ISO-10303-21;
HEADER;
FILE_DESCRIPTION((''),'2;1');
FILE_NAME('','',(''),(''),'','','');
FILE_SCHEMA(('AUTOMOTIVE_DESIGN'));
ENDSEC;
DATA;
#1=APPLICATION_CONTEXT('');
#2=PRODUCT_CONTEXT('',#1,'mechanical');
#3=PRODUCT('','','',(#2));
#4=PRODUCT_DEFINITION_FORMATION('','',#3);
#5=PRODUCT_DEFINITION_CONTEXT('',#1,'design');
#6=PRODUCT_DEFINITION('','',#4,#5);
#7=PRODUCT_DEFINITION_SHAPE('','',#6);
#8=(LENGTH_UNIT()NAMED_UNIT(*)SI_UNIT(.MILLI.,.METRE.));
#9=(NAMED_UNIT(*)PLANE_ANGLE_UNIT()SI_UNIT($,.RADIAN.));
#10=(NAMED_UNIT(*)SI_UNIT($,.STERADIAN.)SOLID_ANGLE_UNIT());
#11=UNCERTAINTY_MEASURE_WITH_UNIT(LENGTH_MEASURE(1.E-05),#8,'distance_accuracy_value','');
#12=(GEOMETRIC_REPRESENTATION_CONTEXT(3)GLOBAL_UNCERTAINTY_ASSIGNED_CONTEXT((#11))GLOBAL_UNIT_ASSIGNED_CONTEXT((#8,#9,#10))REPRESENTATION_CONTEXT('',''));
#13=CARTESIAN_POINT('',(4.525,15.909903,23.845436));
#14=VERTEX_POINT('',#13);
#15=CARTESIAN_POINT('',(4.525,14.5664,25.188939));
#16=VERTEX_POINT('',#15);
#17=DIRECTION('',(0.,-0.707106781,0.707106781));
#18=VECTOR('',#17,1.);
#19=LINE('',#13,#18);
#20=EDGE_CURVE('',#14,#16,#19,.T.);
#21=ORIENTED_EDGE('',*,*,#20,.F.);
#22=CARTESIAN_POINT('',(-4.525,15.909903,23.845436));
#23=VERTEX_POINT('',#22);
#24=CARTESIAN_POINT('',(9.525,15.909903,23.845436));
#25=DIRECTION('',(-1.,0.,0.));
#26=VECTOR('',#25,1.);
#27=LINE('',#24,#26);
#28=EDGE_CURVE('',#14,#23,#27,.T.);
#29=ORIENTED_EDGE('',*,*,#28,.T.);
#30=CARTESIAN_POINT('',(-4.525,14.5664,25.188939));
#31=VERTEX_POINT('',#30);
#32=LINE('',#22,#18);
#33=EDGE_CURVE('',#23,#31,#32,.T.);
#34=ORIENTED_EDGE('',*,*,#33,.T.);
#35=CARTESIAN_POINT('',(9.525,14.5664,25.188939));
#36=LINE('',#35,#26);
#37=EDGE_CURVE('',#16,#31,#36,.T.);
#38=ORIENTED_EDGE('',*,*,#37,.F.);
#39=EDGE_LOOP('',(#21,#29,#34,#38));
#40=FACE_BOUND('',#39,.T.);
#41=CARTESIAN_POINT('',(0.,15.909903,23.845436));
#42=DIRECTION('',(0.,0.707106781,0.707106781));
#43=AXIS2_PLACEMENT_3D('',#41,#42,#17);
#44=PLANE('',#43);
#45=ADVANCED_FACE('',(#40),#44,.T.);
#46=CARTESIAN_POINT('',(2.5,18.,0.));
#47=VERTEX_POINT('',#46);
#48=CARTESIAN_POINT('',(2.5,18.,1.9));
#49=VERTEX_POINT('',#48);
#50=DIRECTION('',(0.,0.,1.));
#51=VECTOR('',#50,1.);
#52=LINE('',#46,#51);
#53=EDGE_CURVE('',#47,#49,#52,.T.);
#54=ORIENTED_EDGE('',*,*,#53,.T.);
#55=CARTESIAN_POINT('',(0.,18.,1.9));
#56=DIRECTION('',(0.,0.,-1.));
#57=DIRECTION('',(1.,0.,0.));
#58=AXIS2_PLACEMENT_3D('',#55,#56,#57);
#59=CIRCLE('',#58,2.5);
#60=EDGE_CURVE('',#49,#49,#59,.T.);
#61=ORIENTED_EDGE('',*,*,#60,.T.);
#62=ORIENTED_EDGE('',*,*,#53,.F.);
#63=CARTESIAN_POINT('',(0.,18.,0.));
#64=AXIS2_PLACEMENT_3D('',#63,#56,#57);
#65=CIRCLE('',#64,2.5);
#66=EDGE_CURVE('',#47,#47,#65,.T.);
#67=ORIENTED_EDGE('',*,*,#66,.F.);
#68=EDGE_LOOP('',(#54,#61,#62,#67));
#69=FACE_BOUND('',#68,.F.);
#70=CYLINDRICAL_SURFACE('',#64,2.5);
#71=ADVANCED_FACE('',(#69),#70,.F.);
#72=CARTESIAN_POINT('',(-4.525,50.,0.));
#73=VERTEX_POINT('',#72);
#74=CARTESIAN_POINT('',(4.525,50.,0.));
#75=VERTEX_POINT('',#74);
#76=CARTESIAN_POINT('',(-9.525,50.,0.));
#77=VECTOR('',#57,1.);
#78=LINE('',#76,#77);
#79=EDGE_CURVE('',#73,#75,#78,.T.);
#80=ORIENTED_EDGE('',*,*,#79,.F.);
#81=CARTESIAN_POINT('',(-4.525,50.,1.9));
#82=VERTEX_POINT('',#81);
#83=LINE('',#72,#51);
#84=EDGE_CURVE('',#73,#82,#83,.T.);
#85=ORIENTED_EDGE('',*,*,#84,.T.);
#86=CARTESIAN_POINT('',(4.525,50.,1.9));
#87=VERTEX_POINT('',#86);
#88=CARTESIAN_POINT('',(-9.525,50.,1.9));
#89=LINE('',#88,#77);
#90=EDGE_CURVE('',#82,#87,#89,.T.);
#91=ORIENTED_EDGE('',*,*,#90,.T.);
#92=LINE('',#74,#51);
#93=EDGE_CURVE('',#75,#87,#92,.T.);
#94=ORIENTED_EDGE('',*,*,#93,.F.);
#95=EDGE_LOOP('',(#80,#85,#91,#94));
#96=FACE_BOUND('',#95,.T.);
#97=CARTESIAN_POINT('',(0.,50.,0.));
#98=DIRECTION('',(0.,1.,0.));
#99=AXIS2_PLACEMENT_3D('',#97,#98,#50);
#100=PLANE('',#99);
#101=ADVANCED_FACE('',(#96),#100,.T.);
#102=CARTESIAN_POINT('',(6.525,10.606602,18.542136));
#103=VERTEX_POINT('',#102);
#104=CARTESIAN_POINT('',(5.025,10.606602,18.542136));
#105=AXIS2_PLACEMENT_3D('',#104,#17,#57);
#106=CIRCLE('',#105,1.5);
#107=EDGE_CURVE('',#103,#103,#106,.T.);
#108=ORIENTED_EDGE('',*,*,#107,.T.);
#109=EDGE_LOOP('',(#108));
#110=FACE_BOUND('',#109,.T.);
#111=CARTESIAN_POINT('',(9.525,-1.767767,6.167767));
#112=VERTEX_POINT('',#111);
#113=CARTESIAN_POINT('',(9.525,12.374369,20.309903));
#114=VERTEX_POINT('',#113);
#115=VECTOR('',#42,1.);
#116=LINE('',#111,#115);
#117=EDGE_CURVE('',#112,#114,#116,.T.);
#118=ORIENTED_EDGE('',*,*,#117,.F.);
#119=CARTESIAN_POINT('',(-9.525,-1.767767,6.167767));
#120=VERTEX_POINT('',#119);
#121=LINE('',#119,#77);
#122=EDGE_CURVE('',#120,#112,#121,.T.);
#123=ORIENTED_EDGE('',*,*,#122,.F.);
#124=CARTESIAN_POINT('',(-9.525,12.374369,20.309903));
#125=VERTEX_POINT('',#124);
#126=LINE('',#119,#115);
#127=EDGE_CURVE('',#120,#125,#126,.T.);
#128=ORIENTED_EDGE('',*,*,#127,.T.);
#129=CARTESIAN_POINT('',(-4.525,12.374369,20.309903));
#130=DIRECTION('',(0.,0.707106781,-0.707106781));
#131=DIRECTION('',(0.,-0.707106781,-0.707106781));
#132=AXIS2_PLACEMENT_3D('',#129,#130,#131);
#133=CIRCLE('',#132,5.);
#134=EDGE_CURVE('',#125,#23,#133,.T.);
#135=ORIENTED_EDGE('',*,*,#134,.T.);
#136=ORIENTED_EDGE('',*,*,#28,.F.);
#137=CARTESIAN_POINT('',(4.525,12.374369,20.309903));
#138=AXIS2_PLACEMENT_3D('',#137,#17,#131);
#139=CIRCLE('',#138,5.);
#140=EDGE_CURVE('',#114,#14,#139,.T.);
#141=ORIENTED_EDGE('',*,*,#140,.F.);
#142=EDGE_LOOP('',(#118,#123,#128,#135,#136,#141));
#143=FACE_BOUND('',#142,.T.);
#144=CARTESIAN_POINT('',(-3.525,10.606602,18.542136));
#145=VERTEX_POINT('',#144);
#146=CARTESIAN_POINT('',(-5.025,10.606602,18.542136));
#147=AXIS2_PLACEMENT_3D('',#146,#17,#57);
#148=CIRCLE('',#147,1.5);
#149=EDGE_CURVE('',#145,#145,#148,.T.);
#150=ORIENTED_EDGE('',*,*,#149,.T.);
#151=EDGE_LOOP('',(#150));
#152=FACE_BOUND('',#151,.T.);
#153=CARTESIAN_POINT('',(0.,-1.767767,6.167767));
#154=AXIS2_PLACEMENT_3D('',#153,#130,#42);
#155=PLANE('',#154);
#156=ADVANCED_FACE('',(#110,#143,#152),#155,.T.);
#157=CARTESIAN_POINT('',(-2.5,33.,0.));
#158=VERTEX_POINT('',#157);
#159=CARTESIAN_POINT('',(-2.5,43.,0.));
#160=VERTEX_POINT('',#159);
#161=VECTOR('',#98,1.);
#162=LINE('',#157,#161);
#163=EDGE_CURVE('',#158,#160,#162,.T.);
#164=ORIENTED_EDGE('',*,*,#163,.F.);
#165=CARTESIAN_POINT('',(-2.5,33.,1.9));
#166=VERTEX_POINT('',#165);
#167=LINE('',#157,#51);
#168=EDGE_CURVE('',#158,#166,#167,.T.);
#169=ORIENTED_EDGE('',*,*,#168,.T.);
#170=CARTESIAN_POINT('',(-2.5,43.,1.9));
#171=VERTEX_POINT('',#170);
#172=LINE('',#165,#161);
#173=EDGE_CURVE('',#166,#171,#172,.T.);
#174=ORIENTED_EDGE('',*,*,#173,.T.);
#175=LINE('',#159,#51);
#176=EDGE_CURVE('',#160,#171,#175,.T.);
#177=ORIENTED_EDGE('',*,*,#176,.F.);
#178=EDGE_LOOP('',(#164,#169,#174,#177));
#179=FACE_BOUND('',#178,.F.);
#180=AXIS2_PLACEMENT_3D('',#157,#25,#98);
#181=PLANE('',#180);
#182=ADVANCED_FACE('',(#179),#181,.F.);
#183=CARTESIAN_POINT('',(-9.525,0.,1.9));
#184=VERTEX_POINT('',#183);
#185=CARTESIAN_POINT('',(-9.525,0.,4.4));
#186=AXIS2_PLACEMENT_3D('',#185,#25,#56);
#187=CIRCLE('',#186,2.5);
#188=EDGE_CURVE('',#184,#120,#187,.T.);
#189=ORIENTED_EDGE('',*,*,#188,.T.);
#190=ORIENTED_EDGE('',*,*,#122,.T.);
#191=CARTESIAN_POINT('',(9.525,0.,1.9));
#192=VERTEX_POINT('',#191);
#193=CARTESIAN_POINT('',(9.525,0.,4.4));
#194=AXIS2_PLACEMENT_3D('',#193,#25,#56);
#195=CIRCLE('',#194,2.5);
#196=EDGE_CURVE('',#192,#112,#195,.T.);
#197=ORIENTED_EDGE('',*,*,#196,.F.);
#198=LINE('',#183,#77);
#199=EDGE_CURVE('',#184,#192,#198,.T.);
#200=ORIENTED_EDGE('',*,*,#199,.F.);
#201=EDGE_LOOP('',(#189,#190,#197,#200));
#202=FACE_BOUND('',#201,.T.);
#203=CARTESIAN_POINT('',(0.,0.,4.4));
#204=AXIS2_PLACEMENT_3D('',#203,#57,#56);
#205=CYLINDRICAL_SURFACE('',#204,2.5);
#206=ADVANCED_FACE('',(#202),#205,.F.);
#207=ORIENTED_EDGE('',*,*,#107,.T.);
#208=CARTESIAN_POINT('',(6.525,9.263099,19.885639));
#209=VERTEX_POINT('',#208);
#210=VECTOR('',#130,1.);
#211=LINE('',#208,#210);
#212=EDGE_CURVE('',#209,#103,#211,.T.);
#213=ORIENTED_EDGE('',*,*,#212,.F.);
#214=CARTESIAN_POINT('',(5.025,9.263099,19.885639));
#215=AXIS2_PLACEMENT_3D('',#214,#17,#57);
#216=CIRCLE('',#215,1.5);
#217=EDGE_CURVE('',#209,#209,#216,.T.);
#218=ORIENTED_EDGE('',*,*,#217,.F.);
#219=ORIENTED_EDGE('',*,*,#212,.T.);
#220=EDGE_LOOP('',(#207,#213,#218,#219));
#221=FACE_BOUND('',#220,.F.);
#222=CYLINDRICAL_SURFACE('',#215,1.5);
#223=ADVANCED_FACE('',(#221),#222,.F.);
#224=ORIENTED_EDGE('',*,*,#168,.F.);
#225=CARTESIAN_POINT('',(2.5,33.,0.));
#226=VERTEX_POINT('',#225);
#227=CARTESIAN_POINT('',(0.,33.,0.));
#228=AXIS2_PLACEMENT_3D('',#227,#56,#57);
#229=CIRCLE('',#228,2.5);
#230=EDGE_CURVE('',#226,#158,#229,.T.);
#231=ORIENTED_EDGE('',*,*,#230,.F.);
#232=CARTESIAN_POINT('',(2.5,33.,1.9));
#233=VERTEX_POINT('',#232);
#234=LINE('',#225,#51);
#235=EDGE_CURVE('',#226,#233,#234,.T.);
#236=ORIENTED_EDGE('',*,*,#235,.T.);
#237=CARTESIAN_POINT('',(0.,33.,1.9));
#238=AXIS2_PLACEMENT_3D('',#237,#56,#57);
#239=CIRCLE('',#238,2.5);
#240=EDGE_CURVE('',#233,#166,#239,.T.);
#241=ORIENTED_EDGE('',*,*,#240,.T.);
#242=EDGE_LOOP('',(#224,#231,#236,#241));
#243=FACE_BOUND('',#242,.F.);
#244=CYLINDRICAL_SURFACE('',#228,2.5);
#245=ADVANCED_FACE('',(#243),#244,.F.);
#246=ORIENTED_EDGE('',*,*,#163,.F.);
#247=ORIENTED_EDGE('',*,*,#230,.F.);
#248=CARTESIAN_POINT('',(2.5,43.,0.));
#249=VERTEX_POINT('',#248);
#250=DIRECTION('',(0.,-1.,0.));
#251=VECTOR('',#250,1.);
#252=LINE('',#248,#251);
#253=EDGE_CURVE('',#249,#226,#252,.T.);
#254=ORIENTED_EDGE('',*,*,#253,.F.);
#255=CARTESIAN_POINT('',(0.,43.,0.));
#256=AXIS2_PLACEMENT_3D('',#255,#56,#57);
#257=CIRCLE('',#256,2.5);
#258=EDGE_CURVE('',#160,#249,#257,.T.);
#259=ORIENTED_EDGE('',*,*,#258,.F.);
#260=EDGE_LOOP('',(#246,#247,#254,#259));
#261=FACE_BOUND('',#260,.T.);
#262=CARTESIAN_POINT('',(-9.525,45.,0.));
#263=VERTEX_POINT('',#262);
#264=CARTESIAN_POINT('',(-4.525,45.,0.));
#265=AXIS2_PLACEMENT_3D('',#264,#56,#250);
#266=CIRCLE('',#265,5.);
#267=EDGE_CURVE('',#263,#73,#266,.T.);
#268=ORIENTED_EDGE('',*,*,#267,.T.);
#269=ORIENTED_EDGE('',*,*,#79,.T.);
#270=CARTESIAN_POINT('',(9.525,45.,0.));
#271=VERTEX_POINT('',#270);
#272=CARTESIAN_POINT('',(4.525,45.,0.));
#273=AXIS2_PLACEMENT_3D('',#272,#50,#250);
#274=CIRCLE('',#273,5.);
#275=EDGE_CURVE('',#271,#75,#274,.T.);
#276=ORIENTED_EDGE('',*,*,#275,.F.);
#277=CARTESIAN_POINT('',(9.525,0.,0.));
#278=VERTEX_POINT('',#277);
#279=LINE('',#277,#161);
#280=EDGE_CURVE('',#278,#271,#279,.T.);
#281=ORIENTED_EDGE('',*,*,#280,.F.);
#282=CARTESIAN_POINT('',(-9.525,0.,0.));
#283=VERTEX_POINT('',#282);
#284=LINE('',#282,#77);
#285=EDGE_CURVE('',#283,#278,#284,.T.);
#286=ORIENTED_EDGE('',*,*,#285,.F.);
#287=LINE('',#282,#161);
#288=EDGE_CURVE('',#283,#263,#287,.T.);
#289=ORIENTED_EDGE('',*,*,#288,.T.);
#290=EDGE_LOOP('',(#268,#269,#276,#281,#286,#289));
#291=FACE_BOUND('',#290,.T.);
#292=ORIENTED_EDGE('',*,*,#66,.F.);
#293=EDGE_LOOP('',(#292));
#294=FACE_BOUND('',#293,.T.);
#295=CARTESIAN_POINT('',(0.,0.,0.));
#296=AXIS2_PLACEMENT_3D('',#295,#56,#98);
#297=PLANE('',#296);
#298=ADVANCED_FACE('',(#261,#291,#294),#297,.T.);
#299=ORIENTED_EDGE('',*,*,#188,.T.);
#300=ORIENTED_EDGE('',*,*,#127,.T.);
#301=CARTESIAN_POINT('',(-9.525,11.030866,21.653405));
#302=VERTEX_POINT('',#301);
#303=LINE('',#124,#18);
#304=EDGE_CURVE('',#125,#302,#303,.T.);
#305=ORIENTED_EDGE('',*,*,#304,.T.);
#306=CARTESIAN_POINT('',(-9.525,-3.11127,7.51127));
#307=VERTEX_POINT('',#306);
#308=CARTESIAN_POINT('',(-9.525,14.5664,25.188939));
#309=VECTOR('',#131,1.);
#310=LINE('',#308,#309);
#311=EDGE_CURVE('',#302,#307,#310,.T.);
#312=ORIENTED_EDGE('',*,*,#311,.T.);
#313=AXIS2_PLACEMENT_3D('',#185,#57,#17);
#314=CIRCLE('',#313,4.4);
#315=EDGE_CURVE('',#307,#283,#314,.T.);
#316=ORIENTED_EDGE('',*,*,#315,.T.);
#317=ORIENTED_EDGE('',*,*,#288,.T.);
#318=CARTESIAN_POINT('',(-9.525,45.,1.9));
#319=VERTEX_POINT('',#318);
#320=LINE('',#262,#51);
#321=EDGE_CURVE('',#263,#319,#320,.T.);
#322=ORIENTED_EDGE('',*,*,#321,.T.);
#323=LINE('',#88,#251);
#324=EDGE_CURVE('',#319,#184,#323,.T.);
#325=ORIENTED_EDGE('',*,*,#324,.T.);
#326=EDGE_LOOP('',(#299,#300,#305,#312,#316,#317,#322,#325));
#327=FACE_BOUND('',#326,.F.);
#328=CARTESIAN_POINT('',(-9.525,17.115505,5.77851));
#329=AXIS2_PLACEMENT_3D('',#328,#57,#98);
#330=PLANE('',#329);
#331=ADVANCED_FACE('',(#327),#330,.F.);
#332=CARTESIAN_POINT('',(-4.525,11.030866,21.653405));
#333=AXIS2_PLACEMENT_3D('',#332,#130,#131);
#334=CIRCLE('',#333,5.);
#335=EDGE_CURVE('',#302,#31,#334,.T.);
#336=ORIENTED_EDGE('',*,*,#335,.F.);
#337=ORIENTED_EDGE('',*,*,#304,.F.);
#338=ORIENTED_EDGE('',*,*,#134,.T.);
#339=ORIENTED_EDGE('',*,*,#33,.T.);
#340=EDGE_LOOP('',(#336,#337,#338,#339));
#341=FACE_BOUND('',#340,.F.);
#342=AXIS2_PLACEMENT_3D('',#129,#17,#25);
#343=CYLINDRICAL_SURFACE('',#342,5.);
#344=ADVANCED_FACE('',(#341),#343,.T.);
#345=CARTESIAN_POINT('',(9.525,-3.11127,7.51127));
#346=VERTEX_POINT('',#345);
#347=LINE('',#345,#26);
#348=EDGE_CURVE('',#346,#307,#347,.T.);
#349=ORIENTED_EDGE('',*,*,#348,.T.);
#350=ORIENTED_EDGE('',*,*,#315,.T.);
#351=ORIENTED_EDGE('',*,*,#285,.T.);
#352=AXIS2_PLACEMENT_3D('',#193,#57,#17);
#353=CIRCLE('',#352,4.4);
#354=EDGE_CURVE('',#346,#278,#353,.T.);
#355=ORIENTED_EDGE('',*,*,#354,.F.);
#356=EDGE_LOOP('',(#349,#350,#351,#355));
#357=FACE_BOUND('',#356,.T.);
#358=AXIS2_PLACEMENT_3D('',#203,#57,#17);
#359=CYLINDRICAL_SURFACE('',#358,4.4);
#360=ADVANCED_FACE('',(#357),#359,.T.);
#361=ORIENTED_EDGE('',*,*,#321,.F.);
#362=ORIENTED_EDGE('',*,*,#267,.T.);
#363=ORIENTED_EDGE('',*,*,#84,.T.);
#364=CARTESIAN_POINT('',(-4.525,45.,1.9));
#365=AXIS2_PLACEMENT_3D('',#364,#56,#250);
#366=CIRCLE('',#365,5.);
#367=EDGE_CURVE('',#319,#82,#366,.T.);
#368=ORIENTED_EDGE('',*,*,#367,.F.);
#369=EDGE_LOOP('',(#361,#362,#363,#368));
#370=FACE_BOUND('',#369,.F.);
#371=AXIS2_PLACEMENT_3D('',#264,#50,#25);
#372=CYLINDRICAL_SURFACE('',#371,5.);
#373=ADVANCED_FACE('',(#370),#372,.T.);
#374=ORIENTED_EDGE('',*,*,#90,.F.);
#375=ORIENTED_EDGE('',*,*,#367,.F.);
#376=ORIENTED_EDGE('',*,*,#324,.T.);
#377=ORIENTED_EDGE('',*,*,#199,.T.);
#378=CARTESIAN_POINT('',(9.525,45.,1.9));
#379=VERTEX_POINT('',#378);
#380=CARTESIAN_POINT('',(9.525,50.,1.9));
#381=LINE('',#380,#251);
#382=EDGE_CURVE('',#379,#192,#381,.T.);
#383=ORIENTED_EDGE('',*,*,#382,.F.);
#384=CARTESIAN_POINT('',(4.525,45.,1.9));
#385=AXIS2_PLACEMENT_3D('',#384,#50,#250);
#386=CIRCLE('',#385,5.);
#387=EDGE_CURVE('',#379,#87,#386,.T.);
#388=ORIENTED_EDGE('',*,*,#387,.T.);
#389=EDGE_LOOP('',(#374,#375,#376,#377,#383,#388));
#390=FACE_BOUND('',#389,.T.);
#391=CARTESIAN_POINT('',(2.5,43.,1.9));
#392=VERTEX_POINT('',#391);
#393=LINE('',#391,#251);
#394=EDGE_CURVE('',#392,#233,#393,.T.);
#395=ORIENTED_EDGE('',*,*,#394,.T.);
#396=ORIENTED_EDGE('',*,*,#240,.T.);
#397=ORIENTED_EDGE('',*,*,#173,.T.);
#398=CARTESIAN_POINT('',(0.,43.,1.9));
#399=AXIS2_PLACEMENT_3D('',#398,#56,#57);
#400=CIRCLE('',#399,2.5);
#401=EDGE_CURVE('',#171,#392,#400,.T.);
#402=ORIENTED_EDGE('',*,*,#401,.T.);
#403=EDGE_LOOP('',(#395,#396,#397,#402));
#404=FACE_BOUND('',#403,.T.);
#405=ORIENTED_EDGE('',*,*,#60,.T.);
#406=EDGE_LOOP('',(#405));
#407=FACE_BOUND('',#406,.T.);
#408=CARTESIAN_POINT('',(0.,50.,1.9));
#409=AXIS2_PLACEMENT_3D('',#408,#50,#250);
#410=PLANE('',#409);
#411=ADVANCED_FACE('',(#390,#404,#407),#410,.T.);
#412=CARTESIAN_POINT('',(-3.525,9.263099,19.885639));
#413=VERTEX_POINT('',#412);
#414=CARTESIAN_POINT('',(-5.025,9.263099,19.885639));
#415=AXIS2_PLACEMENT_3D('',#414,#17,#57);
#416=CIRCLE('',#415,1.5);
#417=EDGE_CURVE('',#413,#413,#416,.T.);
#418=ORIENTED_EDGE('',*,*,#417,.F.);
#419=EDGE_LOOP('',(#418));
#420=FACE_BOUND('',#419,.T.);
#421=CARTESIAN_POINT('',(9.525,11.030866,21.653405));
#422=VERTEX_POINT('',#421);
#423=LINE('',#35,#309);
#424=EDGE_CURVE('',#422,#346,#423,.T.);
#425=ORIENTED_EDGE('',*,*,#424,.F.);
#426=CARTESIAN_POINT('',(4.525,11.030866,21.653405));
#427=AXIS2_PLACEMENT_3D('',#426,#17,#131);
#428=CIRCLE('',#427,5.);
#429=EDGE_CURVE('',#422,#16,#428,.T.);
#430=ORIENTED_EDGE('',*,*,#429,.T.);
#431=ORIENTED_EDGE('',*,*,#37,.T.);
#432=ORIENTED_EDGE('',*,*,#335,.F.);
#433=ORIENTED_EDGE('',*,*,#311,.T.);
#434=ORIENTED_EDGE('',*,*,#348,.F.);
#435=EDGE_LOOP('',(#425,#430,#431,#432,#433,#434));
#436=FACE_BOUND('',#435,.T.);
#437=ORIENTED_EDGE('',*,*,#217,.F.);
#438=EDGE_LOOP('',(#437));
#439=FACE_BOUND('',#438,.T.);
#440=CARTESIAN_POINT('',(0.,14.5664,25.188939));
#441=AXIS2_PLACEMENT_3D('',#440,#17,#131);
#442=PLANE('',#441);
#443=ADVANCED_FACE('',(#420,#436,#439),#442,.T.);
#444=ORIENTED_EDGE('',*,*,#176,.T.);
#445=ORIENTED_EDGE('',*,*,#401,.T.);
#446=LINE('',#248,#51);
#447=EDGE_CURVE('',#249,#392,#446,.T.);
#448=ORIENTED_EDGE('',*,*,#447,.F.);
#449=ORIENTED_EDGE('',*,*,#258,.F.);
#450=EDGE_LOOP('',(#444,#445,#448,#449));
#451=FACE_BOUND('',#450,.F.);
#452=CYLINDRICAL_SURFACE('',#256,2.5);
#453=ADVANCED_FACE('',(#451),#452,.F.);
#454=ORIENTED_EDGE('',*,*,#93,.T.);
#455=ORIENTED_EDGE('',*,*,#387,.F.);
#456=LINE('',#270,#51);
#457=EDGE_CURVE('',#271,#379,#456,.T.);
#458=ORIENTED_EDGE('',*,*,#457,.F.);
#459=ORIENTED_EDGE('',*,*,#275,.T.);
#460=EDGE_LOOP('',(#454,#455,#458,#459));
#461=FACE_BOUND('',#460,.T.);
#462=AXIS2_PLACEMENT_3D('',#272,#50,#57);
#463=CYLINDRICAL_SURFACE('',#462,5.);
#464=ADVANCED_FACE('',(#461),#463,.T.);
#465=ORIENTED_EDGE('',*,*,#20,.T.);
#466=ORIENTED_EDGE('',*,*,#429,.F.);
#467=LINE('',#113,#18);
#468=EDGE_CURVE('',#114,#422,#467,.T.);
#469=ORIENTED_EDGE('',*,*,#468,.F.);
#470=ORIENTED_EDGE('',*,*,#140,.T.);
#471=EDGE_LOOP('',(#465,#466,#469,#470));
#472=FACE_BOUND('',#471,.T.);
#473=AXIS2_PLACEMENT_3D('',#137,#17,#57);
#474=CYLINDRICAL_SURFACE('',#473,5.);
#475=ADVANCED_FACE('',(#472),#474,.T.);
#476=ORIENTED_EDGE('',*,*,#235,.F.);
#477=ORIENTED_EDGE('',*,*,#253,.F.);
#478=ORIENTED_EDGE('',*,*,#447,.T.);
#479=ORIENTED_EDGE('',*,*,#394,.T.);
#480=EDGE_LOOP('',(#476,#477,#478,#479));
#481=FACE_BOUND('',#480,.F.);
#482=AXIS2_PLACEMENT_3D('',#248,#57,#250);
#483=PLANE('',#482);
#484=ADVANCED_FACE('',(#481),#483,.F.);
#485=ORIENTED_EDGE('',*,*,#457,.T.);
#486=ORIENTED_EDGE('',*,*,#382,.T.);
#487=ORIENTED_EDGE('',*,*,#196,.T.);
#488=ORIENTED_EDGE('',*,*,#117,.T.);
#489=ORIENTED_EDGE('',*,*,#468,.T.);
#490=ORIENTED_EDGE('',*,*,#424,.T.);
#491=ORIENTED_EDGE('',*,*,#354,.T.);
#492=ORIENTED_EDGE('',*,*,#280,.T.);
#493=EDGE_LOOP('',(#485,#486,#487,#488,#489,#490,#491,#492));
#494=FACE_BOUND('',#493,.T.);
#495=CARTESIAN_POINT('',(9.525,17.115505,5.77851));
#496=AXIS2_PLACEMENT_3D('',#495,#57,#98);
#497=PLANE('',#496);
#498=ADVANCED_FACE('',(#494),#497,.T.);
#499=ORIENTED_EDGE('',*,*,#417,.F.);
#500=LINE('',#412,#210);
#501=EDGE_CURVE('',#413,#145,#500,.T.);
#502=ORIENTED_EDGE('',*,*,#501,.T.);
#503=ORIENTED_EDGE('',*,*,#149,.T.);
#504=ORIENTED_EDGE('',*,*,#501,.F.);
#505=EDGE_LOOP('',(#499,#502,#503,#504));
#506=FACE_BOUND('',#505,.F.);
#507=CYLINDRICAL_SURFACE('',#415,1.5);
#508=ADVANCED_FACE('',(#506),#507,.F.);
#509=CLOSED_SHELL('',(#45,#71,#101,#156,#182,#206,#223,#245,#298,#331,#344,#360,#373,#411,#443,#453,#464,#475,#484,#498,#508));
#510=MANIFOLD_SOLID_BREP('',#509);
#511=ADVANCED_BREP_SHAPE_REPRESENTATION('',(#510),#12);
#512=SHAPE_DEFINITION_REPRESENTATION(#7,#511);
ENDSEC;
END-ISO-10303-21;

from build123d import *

# Parameters (mm, degrees)
F1_DEPTH = 9.525
F2_R     = 2.5
F3_DEPTH = 1.9
F4_R     = 1.5
F5_DEPTH = 1.9
F6_R     = 5


with BuildPart() as f1:
    # F0 (on Right) → F1 (new body, symmetric)
    with BuildSketch(Plane.YZ):
        with BuildLine():
            ThreePointArc((-3.1112698372, 7.5112698372), (-4.065069943, 2.7161928976), (0, 0))
            Line((0, 0), (50, 0))
            Line((50, 0), (50, 1.9))
            Line((50, 1.9), (0, 1.9))
            ThreePointArc((0, 1.9), (-2.3096988313, 3.4432914191), (-1.767766953, 6.167766953))
            Line((-1.767766953, 6.167766953), (15.9099025767, 23.8454364826))
            Line((15.9099025767, 23.8454364826), (14.5663996924, 25.1889393669))
            Line((14.5663996924, 25.1889393669), (-3.1112698372, 7.5112698372))
        make_face()
    extrude(amount=F1_DEPTH, both=True)

    # F2 (on face) → F3 (cut, through all)
    with BuildSketch(Plane(origin=(0, 0, 0), x_dir=(1, 0, 0), z_dir=(0, 0, -1))):
        with BuildLine():
            ThreePointArc((-2.5, -43), (0, -45.5), (2.5, -43))
            Line((2.5, -43), (-2.5, -43))
        make_face()
        with BuildLine():
            Line((-2.5, -43), (2.5, -43))
            ThreePointArc((2.5, -43), (0, -40.5), (-2.5, -43))
        make_face()
        with BuildLine():
            ThreePointArc((-2.5, -43), (0, -40.5), (2.5, -43))
            Line((2.5, -43), (2.5, -33))
            ThreePointArc((2.5, -33), (0, -35.5), (-2.5, -33))
            Line((-2.5, -33), (-2.5, -43))
        make_face()
        with BuildLine():
            Line((-2.5, -33), (2.5, -33))
            ThreePointArc((2.5, -33), (0, -30.5), (-2.5, -33))
        make_face()
        with BuildLine():
            ThreePointArc((-2.5, -33), (0, -35.5), (2.5, -33))
            Line((2.5, -33), (-2.5, -33))
        make_face()
        with Locations((0, -18)):
            Circle(F2_R)
    extrude(amount=-F3_DEPTH, mode=Mode.SUBTRACT)

    # F4 (on face) → F5 (cut, through all)
    with BuildSketch(Plane(origin=(0, -5.3112698372, 5.3112698372), x_dir=(1, 0, 0), z_dir=(0, -0.7071067812, 0.7071067812))):
        with Locations((-5.025, 20.6112698372)):
            Circle(F4_R)
        with Locations((5.025, 20.6112698372)):
            Circle(F4_R)
    extrude(amount=-F5_DEPTH, mode=Mode.SUBTRACT)

    # F6
    f6_edges = [f1.edges().sort_by_distance(p)[0] for p in [
        (9.525, 15.238151, 24.517188),
        (-9.525, 15.238151, 24.517188),
        (9.525, 50, 0.95),
        (-9.525, 50, 0.95),
    ]]
    fillet(f6_edges, radius=F6_R)


solid = f1.part
